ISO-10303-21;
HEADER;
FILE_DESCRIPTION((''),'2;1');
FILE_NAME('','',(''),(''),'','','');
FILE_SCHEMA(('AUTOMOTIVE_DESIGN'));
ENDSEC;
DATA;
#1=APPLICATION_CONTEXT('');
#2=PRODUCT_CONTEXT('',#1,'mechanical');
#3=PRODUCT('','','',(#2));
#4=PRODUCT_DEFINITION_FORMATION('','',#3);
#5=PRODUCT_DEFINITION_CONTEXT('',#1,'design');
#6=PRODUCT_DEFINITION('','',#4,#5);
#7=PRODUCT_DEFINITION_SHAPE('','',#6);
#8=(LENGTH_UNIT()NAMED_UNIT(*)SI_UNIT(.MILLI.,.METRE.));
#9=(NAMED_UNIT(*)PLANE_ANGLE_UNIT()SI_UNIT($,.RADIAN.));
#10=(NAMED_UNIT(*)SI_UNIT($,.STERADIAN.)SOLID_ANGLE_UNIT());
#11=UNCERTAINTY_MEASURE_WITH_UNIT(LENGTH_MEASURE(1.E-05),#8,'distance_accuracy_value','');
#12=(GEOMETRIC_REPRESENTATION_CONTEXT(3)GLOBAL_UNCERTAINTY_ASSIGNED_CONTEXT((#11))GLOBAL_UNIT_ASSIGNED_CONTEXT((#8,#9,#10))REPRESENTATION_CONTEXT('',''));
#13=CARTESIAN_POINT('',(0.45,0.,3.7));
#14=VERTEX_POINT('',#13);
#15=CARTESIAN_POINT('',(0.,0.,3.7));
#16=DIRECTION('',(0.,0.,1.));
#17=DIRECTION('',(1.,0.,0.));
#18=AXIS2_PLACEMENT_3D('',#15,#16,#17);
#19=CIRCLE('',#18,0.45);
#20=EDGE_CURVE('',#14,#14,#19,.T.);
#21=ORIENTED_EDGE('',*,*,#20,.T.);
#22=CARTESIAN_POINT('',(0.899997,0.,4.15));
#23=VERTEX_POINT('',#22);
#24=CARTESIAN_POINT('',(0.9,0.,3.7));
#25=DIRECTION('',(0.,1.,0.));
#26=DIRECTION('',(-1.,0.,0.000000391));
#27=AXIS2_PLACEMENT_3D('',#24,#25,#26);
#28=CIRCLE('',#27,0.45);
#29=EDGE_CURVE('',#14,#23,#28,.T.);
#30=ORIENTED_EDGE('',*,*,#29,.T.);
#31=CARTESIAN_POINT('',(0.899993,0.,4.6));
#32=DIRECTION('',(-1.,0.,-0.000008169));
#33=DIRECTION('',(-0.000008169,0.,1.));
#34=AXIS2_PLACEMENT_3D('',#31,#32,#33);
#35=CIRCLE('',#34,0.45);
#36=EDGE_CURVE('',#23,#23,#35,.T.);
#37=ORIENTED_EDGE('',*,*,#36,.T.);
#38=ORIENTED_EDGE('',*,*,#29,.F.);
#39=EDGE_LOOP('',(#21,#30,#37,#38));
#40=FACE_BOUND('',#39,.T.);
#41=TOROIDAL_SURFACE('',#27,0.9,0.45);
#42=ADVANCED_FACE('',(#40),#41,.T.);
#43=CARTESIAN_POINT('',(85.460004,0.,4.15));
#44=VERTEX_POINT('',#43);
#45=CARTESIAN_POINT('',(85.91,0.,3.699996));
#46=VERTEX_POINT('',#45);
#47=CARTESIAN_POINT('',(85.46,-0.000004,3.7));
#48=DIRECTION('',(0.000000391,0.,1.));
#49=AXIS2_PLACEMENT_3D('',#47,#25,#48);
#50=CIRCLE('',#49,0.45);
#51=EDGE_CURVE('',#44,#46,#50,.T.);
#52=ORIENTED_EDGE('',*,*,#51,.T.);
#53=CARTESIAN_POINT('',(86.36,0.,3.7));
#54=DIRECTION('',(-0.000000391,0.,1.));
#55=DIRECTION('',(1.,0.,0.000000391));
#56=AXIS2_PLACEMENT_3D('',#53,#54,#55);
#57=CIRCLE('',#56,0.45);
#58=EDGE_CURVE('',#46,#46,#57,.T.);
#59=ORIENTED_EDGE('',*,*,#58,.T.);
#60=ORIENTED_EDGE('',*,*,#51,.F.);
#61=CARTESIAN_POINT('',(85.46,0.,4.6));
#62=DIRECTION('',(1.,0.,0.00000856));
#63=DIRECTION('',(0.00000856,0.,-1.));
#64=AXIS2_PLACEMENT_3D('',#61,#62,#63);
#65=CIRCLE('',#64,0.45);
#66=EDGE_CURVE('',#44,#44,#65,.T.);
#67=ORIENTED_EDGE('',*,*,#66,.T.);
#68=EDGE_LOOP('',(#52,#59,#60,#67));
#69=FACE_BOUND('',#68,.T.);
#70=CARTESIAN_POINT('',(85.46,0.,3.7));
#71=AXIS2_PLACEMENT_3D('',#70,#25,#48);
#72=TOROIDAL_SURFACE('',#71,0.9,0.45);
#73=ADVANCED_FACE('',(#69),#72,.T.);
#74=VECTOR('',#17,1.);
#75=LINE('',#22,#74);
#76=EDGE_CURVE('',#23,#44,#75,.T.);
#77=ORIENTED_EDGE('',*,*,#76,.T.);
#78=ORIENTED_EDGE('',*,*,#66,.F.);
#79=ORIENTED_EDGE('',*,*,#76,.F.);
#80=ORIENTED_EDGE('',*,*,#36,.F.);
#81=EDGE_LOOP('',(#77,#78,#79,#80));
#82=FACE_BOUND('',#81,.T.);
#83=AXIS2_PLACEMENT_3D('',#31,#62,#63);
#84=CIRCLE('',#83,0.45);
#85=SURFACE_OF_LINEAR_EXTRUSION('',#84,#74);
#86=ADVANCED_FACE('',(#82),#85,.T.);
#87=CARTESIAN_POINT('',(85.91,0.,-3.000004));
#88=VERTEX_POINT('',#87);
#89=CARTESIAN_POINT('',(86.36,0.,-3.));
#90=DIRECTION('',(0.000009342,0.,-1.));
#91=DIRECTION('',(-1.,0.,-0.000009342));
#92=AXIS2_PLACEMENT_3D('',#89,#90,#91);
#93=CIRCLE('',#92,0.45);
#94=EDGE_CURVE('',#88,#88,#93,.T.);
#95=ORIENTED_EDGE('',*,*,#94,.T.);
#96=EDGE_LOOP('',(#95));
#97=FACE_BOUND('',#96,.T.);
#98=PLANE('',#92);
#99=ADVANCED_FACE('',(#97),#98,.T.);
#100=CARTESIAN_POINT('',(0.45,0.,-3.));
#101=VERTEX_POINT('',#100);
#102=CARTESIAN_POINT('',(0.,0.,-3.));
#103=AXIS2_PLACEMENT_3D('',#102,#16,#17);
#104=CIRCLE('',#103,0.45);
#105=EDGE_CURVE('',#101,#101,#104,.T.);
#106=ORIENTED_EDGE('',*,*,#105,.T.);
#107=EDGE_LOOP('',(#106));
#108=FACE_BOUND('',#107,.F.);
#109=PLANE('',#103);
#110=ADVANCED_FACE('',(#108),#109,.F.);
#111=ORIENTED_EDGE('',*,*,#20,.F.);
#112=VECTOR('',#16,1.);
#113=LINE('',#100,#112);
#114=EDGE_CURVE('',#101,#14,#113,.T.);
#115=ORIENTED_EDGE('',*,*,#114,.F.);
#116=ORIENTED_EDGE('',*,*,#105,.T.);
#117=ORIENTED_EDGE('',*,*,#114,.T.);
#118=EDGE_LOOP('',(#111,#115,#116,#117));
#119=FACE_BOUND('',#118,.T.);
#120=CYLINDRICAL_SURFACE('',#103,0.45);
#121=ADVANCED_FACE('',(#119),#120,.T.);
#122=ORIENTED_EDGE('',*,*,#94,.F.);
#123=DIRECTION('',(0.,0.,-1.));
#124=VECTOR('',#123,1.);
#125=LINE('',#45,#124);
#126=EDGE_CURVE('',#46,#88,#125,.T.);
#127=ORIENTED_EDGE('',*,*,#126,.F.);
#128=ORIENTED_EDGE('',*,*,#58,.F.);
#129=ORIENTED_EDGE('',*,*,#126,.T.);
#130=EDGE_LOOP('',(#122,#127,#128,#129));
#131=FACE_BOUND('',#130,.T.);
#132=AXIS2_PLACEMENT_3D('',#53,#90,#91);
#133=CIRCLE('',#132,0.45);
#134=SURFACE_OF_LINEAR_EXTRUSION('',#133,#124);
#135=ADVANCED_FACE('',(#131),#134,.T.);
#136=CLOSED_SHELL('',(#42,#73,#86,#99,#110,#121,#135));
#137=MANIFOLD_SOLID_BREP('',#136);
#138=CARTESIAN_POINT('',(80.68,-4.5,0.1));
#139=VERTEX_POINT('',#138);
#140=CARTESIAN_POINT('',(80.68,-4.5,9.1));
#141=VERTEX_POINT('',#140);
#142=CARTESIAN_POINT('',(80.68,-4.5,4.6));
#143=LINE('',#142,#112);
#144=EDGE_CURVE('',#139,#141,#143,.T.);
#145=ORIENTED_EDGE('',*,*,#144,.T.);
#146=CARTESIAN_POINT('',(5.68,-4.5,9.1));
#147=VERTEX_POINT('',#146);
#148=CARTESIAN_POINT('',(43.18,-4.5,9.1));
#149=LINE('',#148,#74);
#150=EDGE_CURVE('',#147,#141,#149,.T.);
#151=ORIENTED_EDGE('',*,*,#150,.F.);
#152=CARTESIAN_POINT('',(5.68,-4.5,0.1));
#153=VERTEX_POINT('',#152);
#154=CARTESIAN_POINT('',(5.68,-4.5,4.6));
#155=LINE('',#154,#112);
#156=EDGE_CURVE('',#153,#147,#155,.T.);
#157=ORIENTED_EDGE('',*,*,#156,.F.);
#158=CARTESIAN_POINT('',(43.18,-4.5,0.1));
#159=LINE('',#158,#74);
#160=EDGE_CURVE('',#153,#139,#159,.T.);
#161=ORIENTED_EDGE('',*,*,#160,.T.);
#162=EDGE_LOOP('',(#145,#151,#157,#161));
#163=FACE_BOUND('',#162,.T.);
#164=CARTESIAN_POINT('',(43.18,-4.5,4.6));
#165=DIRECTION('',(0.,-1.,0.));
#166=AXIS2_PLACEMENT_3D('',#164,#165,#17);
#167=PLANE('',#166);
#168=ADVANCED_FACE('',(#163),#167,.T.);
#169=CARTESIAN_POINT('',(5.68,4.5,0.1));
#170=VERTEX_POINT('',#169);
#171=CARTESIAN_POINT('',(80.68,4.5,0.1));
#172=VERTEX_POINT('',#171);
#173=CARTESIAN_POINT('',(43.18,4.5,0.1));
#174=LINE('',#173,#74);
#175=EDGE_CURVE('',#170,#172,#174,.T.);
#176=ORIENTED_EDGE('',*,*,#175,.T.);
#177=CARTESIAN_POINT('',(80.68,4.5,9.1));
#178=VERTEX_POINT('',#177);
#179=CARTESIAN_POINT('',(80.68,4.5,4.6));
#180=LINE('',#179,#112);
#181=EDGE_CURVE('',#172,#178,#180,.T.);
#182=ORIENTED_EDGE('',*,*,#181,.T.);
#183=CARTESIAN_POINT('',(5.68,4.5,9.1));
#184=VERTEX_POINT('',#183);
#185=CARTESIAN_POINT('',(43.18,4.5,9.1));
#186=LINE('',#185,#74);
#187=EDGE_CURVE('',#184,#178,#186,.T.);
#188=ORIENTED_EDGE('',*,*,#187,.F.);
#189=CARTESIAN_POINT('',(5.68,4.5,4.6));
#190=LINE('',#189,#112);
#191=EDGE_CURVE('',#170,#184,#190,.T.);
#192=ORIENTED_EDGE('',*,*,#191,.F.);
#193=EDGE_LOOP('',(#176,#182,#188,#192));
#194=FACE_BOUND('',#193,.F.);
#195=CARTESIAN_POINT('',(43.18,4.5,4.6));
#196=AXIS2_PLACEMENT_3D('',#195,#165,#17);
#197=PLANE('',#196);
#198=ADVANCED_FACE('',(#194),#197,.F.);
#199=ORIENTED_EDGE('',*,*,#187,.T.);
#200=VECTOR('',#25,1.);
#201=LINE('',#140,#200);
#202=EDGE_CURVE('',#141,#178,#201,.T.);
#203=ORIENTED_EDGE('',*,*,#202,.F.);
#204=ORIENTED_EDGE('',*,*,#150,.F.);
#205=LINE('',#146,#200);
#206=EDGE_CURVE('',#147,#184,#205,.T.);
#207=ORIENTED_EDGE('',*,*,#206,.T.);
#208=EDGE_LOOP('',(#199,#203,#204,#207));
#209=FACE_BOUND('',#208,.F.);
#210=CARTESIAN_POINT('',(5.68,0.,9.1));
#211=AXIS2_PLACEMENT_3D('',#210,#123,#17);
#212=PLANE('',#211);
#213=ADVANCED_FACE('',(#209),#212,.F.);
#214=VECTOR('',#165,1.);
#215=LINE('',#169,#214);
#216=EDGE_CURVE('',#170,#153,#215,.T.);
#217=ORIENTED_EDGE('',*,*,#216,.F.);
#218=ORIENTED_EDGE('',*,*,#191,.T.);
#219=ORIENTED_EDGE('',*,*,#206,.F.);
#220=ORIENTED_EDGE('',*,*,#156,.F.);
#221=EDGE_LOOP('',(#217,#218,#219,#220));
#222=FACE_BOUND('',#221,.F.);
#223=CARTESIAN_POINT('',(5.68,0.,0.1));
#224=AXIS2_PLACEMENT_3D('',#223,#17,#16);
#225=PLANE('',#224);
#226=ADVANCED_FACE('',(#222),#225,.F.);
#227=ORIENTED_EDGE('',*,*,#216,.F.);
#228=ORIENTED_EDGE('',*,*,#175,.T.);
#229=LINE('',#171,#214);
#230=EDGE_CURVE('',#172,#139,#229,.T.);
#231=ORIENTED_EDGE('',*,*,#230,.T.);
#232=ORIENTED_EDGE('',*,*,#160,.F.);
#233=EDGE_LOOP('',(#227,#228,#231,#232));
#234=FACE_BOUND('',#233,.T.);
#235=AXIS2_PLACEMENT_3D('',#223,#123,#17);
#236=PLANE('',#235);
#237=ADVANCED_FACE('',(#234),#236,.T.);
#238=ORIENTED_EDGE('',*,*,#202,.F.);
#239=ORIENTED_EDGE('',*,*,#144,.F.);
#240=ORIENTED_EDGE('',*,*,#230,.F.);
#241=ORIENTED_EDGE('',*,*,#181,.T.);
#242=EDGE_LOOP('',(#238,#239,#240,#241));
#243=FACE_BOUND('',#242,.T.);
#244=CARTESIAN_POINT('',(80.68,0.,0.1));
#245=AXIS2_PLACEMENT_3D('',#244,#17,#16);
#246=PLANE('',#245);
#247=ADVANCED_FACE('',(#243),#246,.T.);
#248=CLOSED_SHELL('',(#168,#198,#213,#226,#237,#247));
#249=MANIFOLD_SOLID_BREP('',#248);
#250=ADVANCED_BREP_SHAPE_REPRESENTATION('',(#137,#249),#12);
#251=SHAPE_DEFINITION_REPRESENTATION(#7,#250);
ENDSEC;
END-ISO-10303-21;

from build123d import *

# Parameters (mm, degrees)
SKETCH_R    = 0.45
SKETCH002_W = 75
SKETCH002_H = 9
PAD_DEPTH   = 4.5


with BuildPart() as sweep_body:
    # Sweep: sweep along a path in Sketch001
    with BuildLine(Plane.XZ) as sweep_path:
        Line((0, -3), (0, 3.7))
        ThreePointArc((0, 3.7), (0.263601, 4.336393), (0.899993, 4.6))
        Line((0.899993, 4.6), (85.46, 4.6))
        ThreePointArc((85.46, 4.6), (86.096396, 4.336396), (86.36, 3.7))
        Line((86.36, 3.7), (86.36, -3))
    # Sketch → Sweep (sweep)
    with BuildSketch(Plane.XY.offset(-2)):
        Circle(SKETCH_R)
    sweep(path=sweep_path.line)


with BuildPart() as pad:
    # Sketch002 → Pad (new body, symmetric)
    with BuildSketch(Plane.XZ):
        with Locations((43.18, 4.6)):
            Rectangle(SKETCH002_W, SKETCH002_H)
    extrude(amount=PAD_DEPTH, both=True)


solid = Compound([sweep_body.part, pad.part])
